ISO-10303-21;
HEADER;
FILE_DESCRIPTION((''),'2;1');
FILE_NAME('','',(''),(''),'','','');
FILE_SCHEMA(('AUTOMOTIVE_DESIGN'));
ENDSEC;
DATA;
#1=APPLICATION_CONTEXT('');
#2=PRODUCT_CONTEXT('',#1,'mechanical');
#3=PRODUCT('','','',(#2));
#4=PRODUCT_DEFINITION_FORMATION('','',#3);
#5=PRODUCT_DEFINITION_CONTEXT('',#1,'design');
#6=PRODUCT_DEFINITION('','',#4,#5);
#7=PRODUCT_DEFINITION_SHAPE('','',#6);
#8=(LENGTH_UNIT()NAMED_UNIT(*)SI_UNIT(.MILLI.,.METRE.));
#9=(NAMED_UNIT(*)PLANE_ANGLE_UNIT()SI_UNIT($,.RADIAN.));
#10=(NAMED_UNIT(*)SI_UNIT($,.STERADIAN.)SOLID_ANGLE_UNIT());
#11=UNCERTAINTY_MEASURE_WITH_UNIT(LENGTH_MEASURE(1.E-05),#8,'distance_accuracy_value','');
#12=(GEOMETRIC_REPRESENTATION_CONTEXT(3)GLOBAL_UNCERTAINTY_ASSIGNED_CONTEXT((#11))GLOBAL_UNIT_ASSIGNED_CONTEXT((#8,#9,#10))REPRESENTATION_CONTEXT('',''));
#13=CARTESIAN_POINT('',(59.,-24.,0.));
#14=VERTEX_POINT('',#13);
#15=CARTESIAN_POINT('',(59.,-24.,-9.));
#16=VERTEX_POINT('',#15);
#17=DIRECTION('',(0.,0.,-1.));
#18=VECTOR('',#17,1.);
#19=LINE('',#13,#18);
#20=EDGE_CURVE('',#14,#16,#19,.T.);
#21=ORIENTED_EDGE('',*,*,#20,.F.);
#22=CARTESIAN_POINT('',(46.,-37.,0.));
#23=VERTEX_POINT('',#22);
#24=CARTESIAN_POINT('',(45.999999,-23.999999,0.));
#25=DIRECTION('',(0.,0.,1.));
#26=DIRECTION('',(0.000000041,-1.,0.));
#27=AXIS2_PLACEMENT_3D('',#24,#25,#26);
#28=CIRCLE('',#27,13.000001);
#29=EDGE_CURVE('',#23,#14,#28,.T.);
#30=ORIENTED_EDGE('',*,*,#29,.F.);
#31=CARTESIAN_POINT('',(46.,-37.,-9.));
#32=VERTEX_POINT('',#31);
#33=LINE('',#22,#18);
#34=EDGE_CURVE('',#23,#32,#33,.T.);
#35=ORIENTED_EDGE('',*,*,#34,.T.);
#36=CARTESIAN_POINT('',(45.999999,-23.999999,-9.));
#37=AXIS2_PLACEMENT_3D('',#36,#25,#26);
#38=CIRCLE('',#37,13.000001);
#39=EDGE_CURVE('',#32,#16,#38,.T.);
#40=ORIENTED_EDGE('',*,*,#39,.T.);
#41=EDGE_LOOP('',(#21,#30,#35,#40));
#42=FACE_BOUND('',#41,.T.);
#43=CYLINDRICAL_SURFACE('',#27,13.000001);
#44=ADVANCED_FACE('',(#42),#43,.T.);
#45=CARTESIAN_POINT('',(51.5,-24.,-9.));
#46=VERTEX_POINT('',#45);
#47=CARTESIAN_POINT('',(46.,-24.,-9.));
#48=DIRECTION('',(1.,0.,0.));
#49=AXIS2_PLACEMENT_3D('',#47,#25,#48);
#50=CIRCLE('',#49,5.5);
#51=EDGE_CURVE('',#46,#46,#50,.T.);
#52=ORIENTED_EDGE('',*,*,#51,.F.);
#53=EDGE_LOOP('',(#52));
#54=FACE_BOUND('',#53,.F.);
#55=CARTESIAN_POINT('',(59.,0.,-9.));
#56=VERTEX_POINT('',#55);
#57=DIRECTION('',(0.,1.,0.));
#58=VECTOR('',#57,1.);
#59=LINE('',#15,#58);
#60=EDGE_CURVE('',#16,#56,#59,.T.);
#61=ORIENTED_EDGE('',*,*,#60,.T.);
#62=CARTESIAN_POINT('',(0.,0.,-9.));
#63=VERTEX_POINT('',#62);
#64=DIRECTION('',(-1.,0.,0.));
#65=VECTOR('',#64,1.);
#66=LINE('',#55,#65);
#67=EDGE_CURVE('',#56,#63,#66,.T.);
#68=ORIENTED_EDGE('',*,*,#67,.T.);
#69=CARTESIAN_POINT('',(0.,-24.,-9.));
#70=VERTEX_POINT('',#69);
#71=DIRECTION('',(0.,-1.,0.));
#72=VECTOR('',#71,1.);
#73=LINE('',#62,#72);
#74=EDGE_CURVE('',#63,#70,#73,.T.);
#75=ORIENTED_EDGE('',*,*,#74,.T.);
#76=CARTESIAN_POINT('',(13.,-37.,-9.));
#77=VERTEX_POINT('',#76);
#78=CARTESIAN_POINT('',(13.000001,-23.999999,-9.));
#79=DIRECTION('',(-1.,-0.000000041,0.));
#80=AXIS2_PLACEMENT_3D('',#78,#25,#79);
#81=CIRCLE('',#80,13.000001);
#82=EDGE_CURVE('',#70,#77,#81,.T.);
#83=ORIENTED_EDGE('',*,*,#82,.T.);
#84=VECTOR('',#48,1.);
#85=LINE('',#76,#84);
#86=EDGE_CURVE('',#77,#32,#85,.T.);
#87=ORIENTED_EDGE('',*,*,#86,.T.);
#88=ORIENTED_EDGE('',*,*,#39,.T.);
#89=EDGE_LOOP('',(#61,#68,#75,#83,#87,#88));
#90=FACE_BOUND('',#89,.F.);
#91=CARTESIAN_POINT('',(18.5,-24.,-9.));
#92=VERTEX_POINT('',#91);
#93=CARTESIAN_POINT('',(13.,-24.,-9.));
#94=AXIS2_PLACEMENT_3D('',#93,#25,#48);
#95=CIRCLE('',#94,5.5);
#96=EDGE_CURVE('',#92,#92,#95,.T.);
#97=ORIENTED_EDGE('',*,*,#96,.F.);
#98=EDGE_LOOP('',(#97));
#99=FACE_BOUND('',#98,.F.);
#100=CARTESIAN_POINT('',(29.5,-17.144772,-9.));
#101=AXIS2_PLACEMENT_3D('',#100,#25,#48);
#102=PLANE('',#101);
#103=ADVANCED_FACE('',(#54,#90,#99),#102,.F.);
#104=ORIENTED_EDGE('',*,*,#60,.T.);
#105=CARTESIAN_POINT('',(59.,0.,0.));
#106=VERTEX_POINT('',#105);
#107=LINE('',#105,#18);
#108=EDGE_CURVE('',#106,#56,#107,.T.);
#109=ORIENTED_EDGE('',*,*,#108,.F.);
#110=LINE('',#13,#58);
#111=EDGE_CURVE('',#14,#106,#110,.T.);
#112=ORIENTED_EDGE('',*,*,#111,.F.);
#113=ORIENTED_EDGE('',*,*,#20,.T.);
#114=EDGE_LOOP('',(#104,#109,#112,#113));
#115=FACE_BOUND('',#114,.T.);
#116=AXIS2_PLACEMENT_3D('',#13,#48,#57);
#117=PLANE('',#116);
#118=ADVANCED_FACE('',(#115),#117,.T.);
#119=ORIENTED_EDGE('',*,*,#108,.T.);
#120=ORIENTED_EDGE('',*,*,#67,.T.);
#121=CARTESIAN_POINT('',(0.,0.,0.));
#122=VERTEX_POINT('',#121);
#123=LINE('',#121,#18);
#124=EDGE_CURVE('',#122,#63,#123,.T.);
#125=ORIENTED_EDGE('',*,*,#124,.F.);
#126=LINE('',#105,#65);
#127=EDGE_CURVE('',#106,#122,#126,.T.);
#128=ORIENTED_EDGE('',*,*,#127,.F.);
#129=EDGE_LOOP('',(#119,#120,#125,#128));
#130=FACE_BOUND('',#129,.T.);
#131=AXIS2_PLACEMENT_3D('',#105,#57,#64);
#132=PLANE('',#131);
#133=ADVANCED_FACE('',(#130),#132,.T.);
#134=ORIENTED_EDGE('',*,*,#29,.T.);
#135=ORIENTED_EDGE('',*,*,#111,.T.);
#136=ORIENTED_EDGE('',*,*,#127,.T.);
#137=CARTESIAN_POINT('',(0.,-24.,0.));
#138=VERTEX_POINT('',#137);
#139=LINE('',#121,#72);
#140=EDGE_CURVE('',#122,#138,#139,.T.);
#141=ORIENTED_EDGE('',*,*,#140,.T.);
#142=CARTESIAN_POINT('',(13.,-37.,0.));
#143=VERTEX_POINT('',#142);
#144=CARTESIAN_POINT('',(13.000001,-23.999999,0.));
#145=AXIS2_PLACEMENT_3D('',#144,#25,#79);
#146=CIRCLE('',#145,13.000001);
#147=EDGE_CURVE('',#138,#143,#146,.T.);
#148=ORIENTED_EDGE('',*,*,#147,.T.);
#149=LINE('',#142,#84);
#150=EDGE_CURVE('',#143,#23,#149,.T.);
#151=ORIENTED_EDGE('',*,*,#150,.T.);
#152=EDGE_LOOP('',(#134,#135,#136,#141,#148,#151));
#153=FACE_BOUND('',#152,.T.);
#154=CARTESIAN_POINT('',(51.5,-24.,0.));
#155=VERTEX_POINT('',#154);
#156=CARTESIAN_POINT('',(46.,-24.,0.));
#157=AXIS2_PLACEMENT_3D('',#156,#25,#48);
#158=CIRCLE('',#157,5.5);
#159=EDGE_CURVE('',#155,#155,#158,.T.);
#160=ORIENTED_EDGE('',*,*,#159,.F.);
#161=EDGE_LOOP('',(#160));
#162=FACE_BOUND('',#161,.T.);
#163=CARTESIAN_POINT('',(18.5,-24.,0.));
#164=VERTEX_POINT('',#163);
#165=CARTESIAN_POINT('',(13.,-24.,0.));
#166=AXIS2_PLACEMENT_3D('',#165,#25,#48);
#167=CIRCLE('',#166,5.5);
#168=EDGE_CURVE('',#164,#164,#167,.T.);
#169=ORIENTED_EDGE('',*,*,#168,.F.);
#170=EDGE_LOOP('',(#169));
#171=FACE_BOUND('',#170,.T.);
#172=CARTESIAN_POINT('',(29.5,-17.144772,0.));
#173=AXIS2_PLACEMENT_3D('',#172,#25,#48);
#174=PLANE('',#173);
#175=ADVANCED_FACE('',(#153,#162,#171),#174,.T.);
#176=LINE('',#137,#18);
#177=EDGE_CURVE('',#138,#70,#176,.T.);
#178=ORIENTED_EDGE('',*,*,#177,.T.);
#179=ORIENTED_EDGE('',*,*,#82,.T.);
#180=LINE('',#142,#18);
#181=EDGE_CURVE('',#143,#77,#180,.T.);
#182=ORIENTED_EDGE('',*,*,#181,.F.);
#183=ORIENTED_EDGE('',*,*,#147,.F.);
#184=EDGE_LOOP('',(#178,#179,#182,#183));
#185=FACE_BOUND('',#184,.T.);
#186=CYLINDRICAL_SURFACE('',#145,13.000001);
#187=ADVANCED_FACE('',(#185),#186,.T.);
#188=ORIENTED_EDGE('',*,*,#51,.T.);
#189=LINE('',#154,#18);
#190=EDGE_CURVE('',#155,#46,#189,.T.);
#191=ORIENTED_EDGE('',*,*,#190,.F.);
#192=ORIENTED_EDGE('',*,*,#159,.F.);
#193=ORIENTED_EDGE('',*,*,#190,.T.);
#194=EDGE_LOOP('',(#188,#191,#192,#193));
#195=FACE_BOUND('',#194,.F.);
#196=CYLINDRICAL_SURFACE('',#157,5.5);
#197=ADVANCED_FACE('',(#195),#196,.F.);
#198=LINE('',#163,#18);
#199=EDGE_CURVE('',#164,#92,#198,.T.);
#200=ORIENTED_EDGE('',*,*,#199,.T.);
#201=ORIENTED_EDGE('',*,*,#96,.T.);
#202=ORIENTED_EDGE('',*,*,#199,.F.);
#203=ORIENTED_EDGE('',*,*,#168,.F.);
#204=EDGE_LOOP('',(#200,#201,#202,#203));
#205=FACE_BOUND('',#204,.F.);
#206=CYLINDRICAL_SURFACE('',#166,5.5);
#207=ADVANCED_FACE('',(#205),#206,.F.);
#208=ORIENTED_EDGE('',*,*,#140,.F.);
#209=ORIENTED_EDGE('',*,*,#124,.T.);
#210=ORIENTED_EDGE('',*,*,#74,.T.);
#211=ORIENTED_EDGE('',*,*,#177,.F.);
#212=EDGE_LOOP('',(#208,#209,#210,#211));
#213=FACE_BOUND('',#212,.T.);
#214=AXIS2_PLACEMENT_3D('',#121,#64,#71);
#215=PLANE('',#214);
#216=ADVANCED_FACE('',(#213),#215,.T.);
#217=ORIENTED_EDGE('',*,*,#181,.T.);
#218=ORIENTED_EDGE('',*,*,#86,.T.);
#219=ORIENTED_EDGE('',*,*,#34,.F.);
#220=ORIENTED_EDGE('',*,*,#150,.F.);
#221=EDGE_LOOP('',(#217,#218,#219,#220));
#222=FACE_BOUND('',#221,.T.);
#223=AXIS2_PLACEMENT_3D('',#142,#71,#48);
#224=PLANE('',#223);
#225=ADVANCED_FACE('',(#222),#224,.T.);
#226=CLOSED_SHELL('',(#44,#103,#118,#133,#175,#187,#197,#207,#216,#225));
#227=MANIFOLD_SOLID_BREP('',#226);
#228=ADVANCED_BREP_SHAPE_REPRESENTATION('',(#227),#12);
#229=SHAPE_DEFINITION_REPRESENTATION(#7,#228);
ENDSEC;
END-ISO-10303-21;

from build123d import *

# Parameters (mm, degrees)
F0_R     = 5.5
F1_DEPTH = 9


with BuildPart() as f1:
    # F0 (on Top) → F1 (new body)
    with BuildSketch(Plane.XY):
        with BuildLine():
            Line((59, 0), (0, 0))
            Line((0, 0), (0, -24))
            ThreePointArc((0, -24), (3.807612, -33.192388), (13, -37))
            Line((13, -37), (46, -37))
            ThreePointArc((46, -37), (55.192388, -33.192388), (59, -24))
            Line((59, -24), (59, 0))
        make_face()
        with Locations((13, -24)):
            Circle(F0_R, mode=Mode.SUBTRACT)
        with Locations((46, -24)):
            Circle(F0_R, mode=Mode.SUBTRACT)
    extrude(amount=-F1_DEPTH)


solid = f1.part
